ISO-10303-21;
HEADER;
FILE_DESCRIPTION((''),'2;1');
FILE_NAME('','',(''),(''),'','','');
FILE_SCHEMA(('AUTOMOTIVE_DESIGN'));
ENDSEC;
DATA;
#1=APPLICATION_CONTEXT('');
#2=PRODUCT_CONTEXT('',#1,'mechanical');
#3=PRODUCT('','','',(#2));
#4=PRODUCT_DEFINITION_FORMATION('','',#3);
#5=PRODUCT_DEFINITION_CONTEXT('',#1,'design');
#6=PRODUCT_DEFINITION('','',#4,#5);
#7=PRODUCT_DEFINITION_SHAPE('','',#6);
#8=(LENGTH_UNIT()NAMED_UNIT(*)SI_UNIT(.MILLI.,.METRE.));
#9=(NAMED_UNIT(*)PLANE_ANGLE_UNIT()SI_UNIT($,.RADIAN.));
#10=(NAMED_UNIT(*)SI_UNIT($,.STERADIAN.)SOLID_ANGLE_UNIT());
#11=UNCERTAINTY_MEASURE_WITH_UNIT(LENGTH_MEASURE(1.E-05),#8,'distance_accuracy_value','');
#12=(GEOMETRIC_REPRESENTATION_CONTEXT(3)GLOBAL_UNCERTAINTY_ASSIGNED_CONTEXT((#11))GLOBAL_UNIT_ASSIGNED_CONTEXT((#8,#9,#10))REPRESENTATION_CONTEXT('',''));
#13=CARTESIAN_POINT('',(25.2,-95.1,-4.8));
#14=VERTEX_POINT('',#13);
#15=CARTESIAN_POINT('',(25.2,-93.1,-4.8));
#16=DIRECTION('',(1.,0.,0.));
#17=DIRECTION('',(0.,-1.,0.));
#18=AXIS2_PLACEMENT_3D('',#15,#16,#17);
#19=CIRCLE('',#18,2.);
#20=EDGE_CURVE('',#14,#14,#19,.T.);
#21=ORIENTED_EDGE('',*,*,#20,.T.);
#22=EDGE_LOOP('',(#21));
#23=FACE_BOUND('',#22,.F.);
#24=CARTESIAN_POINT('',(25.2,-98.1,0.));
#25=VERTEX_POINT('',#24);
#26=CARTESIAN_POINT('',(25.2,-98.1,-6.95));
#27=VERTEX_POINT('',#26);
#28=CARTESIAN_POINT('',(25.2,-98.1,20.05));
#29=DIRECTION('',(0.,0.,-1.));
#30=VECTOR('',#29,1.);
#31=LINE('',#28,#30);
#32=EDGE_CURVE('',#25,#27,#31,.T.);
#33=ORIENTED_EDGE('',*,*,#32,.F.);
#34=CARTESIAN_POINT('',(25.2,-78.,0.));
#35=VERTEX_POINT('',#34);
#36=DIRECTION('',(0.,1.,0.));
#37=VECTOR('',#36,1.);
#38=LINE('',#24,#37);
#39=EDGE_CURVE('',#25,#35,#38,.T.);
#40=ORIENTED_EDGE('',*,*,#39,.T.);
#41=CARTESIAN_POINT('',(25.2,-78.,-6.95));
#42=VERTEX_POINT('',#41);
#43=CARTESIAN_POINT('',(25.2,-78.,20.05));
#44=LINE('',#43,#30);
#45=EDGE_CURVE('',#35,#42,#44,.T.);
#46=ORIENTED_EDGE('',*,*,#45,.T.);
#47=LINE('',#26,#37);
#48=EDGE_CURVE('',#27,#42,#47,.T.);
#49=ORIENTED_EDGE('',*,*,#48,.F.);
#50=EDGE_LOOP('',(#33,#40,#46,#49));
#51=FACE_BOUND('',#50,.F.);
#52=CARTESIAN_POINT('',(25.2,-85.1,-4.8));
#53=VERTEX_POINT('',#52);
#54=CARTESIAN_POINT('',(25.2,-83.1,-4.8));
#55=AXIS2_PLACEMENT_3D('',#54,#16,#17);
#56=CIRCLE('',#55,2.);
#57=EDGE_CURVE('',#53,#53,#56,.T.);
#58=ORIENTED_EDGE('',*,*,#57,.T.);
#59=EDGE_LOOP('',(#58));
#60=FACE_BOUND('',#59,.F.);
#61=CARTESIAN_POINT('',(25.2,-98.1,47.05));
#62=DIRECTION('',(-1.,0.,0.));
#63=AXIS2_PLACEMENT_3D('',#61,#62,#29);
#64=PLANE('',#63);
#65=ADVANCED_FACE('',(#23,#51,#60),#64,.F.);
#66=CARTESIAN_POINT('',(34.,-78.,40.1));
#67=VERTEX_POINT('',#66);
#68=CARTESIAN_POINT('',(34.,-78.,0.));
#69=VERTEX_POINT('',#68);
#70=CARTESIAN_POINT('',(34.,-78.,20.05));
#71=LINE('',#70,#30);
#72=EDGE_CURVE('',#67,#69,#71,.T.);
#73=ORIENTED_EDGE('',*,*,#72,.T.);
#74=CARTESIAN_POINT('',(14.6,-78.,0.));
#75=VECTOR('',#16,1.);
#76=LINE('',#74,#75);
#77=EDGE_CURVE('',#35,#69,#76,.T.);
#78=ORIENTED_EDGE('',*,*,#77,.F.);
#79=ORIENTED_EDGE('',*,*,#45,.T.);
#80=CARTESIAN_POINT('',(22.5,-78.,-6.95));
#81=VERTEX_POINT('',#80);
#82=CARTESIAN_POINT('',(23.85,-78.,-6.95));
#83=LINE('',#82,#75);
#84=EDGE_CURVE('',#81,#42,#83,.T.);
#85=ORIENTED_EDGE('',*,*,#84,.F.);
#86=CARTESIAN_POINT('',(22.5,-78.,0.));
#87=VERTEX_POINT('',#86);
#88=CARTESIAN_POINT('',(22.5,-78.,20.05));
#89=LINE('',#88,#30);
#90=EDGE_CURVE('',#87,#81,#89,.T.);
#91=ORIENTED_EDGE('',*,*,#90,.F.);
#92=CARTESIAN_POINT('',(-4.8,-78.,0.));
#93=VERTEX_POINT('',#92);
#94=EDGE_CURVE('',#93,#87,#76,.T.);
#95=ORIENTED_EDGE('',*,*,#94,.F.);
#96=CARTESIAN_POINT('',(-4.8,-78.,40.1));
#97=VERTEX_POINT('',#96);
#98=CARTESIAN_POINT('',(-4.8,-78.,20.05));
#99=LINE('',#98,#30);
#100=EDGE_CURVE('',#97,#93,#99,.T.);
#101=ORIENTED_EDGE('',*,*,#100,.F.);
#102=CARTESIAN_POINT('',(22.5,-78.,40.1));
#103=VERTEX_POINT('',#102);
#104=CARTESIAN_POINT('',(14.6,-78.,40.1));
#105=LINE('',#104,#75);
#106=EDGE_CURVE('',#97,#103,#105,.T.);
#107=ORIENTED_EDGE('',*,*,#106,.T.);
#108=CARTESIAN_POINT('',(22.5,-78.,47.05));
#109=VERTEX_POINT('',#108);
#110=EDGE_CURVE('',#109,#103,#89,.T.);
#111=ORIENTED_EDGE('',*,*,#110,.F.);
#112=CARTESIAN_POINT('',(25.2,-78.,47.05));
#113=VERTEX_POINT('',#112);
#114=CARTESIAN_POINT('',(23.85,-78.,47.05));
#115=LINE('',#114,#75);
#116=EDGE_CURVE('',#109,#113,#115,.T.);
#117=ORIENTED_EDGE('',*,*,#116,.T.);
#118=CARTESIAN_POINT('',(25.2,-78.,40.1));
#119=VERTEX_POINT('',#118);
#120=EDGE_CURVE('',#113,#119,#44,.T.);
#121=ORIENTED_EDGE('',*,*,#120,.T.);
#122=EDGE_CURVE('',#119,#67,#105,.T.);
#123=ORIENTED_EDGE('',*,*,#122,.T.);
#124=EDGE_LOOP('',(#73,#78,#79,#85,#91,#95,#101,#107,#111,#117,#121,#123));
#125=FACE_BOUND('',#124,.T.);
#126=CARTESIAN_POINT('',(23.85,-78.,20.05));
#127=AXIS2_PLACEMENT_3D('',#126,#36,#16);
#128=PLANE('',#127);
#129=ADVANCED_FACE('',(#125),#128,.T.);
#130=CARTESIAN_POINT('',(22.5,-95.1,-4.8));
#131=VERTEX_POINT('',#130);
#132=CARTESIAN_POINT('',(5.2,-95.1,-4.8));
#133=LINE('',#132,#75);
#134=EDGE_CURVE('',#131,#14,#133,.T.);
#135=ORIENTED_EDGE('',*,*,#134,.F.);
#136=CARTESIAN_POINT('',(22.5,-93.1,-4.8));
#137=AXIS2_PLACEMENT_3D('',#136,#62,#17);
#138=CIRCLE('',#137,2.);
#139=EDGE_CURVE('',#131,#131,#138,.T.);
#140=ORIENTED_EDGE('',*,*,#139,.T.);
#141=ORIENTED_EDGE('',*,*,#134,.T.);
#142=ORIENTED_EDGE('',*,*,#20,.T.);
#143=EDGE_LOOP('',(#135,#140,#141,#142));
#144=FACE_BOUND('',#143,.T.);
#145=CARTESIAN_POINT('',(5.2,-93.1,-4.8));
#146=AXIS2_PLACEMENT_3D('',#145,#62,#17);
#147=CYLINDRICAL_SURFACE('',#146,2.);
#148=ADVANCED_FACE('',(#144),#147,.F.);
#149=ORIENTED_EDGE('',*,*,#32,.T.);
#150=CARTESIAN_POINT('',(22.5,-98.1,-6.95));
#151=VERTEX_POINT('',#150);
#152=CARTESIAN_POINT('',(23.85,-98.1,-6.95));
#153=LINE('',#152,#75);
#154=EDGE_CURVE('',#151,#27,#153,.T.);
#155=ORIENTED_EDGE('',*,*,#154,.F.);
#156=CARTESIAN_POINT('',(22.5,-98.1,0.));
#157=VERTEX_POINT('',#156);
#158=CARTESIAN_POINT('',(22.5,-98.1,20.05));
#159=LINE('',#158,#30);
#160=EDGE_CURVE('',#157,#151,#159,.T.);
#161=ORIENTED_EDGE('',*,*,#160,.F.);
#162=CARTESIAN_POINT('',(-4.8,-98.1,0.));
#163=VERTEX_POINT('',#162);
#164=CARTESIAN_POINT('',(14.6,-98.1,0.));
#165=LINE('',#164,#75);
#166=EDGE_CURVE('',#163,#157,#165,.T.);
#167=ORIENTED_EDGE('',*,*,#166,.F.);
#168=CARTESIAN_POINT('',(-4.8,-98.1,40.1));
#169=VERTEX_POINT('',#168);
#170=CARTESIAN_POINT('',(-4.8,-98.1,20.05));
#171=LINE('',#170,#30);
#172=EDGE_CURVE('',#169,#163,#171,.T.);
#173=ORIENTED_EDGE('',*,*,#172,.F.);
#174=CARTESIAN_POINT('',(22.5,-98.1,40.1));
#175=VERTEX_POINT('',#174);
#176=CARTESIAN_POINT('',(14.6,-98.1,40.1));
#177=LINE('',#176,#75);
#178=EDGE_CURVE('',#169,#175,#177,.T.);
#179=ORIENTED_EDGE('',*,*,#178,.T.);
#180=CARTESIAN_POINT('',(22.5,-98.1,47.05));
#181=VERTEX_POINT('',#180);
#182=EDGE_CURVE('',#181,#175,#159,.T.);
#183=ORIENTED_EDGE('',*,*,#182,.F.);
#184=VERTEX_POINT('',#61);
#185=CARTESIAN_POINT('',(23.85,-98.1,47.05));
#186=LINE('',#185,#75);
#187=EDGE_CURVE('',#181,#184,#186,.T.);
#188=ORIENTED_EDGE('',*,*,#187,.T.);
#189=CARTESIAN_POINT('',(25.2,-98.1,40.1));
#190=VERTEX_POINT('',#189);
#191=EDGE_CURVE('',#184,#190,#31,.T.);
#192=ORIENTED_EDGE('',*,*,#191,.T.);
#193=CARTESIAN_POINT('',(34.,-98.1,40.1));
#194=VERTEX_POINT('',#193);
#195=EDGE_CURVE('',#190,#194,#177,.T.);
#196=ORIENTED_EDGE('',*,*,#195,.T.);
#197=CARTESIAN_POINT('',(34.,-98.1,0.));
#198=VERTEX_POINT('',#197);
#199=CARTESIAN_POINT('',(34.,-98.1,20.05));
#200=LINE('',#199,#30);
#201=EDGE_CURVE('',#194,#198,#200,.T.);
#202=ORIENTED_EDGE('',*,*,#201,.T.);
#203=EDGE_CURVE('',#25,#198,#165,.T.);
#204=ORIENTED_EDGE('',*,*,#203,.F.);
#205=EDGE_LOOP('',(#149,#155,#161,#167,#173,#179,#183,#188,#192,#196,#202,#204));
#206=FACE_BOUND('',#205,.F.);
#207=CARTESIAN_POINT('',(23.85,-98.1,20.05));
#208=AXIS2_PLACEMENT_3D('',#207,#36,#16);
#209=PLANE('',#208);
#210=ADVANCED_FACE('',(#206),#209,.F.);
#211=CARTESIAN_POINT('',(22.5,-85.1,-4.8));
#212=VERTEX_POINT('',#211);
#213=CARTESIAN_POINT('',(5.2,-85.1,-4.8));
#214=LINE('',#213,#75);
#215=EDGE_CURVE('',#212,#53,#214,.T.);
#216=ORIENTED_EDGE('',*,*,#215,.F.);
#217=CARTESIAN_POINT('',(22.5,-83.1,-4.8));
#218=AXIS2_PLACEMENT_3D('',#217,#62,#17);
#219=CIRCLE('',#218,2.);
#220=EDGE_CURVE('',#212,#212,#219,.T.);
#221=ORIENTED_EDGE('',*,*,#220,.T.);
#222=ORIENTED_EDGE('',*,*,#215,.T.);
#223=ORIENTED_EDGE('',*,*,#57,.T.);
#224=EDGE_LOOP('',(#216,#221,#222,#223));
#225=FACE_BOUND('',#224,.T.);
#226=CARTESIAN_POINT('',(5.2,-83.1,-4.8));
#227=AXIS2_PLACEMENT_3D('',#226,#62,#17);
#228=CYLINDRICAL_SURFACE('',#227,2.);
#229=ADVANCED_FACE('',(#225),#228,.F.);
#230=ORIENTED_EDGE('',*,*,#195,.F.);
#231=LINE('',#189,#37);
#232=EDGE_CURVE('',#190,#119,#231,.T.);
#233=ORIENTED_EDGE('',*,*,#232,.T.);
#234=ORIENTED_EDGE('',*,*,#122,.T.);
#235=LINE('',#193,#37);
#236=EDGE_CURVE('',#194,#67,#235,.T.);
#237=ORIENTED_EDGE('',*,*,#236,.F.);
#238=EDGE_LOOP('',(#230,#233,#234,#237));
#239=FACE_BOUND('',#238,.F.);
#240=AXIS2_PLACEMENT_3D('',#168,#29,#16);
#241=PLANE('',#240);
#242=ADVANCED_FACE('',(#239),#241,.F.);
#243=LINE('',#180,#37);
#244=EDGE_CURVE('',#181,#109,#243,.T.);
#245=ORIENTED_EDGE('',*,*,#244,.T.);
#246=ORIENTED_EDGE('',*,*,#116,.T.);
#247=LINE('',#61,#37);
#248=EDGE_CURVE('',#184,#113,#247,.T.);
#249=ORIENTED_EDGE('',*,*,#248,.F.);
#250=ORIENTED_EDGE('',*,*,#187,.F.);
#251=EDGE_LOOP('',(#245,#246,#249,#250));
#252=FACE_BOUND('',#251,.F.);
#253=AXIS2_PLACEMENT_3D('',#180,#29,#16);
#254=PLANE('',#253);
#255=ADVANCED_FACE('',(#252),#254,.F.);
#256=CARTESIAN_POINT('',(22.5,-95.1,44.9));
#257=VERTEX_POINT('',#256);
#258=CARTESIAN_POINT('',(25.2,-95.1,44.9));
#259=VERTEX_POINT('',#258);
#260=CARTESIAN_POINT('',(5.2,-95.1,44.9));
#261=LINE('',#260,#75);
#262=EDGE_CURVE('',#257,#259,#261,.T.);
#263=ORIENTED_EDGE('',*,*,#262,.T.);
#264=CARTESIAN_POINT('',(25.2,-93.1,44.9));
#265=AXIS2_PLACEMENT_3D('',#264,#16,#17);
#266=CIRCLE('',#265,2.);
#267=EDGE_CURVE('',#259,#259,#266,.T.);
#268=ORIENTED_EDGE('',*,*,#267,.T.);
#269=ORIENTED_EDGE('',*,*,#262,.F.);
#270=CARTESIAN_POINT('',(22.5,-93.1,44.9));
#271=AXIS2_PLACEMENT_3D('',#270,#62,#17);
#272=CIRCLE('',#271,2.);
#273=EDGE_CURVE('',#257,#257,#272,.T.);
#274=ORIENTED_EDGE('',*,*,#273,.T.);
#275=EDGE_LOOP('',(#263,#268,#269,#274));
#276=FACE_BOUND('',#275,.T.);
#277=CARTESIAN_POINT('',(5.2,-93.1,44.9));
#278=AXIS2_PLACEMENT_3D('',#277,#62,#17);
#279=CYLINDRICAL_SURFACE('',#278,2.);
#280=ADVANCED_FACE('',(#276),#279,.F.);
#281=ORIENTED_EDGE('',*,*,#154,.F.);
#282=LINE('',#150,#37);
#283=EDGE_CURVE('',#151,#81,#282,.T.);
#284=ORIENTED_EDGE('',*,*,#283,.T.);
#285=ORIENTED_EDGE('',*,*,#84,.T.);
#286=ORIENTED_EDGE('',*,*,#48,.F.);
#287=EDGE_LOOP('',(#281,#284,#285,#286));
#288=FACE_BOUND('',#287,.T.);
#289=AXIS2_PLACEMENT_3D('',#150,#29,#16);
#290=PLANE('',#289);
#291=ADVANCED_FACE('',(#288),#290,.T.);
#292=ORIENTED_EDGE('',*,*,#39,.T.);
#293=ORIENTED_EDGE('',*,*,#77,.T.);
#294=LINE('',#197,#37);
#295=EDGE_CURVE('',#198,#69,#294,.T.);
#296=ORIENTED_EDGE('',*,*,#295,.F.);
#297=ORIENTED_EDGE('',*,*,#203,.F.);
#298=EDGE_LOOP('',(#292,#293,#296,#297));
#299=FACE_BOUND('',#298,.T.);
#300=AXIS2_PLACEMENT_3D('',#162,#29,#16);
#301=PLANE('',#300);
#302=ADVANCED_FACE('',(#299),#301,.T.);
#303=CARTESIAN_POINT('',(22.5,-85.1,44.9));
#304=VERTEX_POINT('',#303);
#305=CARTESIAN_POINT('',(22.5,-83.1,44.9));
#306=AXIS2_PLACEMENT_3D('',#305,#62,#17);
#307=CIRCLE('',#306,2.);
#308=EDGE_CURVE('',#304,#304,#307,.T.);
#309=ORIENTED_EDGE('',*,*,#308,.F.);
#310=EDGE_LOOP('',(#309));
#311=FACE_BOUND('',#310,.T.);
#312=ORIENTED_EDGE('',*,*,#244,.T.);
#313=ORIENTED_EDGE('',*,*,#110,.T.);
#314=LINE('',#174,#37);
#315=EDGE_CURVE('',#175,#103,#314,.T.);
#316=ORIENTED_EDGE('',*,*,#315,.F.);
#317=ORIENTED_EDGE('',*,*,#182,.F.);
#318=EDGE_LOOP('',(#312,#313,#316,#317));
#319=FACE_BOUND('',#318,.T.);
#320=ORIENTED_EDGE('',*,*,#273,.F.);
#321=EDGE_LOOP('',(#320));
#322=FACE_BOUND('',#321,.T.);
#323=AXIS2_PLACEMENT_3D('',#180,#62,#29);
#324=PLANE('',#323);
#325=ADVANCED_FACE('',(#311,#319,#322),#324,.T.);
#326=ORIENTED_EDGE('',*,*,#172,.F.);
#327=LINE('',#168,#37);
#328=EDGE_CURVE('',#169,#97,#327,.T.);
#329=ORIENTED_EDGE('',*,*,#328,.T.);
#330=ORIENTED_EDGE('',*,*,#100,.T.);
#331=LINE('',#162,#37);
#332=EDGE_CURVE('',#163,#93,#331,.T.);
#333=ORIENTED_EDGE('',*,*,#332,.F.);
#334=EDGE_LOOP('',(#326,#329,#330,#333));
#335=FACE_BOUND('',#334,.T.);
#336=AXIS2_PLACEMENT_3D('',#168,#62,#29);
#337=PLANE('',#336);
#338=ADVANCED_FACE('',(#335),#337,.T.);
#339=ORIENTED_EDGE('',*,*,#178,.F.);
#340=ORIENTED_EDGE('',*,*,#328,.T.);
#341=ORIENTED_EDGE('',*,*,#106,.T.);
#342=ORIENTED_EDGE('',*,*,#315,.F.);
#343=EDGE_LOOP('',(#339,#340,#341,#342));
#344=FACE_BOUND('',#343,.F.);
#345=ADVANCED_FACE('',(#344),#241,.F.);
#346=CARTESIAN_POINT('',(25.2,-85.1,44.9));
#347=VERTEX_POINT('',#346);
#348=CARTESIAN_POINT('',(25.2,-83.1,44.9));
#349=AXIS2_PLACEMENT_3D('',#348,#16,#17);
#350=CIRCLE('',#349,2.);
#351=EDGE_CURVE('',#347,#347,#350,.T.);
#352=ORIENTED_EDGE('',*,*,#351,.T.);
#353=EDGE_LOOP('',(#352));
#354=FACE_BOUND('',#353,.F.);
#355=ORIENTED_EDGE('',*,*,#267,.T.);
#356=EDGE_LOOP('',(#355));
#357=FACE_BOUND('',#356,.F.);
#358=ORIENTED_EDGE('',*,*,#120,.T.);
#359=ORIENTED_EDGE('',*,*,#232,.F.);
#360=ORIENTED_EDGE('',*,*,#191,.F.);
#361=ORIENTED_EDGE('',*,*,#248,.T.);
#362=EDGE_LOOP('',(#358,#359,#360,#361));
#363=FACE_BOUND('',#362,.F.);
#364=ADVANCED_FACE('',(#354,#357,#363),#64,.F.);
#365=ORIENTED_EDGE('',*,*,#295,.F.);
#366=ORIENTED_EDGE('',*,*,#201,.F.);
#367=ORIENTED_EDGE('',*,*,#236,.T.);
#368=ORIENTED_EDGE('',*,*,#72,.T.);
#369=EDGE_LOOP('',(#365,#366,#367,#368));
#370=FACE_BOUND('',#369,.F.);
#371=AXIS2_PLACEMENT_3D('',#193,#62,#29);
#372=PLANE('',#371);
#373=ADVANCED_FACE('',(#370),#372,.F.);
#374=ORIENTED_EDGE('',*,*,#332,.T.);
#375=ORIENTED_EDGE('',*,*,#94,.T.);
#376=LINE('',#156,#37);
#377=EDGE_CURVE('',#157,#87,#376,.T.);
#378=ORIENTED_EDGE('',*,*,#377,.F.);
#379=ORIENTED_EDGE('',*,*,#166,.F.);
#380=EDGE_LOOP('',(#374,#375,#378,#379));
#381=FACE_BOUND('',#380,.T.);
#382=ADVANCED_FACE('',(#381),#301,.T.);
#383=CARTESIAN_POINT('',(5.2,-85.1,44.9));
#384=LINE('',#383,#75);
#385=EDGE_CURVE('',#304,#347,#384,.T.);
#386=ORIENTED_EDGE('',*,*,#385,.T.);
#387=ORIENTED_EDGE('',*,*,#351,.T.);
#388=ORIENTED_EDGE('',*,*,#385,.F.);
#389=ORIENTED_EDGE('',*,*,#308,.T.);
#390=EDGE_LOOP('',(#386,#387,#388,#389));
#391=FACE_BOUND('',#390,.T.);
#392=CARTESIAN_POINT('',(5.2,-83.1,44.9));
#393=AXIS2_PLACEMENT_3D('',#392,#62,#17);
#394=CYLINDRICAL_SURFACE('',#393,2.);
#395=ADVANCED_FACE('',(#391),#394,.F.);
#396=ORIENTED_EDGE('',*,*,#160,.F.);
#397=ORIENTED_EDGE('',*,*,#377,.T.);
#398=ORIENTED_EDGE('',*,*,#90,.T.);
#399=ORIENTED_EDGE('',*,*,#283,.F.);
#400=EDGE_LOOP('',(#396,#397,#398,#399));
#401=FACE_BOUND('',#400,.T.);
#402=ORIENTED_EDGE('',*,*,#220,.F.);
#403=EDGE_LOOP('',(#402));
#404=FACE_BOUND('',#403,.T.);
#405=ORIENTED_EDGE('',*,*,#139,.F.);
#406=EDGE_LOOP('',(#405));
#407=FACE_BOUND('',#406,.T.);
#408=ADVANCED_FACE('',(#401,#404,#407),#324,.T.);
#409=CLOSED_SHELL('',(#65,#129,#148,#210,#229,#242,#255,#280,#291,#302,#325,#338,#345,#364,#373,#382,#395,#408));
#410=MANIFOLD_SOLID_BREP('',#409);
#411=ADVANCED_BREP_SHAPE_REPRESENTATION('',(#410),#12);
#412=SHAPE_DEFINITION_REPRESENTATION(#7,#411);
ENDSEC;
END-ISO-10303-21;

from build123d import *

# Parameters (mm, degrees)
CYLINDER170_R          = 2
CYLINDER170_DEPTH      = 20
CYLINDER169_R          = 2
CYLINDER169_DEPTH      = 20
CYLINDER167_R          = 2
CYLINDER167_DEPTH      = 20
CYLINDER168_R          = 2
CYLINDER168_DEPTH      = 20
BOX225_W               = 2.7
BOX225_H               = 54
BOX225_DEPTH           = 20.1
BOX226_W               = 38.8
BOX226_H               = 40.1
BOX226_DEPTH           = 20.1
CUT123_PLACEMENT_ANGLE = 90


with BuildPart() as cylinder170:
    # Cylinder170 → Cylinder170 (new body)
    with BuildSketch(Plane(origin=(9.4, -71.8, 5), x_dir=(0, 0, -1), z_dir=(1, 0, 0))):
        Circle(CYLINDER170_R)
    extrude(amount=CYLINDER170_DEPTH)


with BuildPart() as cylinder169:
    # Cylinder169 → Cylinder169 (new body)
    with BuildSketch(Plane(origin=(9.4, -71.8, 15), x_dir=(0, 0, -1), z_dir=(1, 0, 0))):
        Circle(CYLINDER169_R)
    extrude(amount=CYLINDER169_DEPTH)


with BuildPart() as cylinder167:
    # Cylinder167 → Cylinder167 (new body)
    with BuildSketch(Plane(origin=(9.4, -22.1, 5), x_dir=(0, 0, -1), z_dir=(1, 0, 0))):
        Circle(CYLINDER167_R)
    extrude(amount=CYLINDER167_DEPTH)


with BuildPart() as cylinder168:
    # Cylinder168 → Cylinder168 (new body)
    with BuildSketch(Plane(origin=(9.4, -22.1, 15), x_dir=(0, 0, -1), z_dir=(1, 0, 0))):
        Circle(CYLINDER168_R)
    extrude(amount=CYLINDER168_DEPTH)


with BuildPart() as box225:
    # Box225 → Box225 (new body)
    with BuildSketch(Plane(origin=(109.3, -99.95, 0), x_dir=(1, 0, 0), z_dir=(0, 0, 1))):
        with Locations((1.35, 27)):
            Rectangle(BOX225_W, BOX225_H)
    extrude(amount=BOX225_DEPTH)


with BuildPart() as cut123:
    # Box226 → Box226 (new body)
    with BuildSketch(Plane(origin=(82, -93, 0), x_dir=(1, 0, 0), z_dir=(0, 0, 1))):
        with Locations((19.4, 20.05)):
            Rectangle(BOX226_W, BOX226_H)
    extrude(amount=BOX226_DEPTH)

    # Fusion086: union Box225
    add(box225.part)


with BuildPart() as cut123_1:
    # Fusion086 placement: moved
    add(cut123.part.moved(Location((-82.6, 26, 0))))

    # Cut120: cut Cylinder168
    add(cylinder168.part, mode=Mode.SUBTRACT)

    # Cut121: cut Cylinder167
    add(cylinder167.part, mode=Mode.SUBTRACT)

    # Cut122: cut Cylinder169
    add(cylinder169.part, mode=Mode.SUBTRACT)

    # Cut123: cut Cylinder170
    add(cylinder170.part, mode=Mode.SUBTRACT)


with BuildPart() as cut123_2:
    # Cut123 placement: moved
    add(cut123_1.part.moved(Location((-4.2, -98.1, -26.9))).rotate(Axis((-4.2, -98.1, -26.9), (-1, 0, 0)), CUT123_PLACEMENT_ANGLE))


solid = cut123_2.part
